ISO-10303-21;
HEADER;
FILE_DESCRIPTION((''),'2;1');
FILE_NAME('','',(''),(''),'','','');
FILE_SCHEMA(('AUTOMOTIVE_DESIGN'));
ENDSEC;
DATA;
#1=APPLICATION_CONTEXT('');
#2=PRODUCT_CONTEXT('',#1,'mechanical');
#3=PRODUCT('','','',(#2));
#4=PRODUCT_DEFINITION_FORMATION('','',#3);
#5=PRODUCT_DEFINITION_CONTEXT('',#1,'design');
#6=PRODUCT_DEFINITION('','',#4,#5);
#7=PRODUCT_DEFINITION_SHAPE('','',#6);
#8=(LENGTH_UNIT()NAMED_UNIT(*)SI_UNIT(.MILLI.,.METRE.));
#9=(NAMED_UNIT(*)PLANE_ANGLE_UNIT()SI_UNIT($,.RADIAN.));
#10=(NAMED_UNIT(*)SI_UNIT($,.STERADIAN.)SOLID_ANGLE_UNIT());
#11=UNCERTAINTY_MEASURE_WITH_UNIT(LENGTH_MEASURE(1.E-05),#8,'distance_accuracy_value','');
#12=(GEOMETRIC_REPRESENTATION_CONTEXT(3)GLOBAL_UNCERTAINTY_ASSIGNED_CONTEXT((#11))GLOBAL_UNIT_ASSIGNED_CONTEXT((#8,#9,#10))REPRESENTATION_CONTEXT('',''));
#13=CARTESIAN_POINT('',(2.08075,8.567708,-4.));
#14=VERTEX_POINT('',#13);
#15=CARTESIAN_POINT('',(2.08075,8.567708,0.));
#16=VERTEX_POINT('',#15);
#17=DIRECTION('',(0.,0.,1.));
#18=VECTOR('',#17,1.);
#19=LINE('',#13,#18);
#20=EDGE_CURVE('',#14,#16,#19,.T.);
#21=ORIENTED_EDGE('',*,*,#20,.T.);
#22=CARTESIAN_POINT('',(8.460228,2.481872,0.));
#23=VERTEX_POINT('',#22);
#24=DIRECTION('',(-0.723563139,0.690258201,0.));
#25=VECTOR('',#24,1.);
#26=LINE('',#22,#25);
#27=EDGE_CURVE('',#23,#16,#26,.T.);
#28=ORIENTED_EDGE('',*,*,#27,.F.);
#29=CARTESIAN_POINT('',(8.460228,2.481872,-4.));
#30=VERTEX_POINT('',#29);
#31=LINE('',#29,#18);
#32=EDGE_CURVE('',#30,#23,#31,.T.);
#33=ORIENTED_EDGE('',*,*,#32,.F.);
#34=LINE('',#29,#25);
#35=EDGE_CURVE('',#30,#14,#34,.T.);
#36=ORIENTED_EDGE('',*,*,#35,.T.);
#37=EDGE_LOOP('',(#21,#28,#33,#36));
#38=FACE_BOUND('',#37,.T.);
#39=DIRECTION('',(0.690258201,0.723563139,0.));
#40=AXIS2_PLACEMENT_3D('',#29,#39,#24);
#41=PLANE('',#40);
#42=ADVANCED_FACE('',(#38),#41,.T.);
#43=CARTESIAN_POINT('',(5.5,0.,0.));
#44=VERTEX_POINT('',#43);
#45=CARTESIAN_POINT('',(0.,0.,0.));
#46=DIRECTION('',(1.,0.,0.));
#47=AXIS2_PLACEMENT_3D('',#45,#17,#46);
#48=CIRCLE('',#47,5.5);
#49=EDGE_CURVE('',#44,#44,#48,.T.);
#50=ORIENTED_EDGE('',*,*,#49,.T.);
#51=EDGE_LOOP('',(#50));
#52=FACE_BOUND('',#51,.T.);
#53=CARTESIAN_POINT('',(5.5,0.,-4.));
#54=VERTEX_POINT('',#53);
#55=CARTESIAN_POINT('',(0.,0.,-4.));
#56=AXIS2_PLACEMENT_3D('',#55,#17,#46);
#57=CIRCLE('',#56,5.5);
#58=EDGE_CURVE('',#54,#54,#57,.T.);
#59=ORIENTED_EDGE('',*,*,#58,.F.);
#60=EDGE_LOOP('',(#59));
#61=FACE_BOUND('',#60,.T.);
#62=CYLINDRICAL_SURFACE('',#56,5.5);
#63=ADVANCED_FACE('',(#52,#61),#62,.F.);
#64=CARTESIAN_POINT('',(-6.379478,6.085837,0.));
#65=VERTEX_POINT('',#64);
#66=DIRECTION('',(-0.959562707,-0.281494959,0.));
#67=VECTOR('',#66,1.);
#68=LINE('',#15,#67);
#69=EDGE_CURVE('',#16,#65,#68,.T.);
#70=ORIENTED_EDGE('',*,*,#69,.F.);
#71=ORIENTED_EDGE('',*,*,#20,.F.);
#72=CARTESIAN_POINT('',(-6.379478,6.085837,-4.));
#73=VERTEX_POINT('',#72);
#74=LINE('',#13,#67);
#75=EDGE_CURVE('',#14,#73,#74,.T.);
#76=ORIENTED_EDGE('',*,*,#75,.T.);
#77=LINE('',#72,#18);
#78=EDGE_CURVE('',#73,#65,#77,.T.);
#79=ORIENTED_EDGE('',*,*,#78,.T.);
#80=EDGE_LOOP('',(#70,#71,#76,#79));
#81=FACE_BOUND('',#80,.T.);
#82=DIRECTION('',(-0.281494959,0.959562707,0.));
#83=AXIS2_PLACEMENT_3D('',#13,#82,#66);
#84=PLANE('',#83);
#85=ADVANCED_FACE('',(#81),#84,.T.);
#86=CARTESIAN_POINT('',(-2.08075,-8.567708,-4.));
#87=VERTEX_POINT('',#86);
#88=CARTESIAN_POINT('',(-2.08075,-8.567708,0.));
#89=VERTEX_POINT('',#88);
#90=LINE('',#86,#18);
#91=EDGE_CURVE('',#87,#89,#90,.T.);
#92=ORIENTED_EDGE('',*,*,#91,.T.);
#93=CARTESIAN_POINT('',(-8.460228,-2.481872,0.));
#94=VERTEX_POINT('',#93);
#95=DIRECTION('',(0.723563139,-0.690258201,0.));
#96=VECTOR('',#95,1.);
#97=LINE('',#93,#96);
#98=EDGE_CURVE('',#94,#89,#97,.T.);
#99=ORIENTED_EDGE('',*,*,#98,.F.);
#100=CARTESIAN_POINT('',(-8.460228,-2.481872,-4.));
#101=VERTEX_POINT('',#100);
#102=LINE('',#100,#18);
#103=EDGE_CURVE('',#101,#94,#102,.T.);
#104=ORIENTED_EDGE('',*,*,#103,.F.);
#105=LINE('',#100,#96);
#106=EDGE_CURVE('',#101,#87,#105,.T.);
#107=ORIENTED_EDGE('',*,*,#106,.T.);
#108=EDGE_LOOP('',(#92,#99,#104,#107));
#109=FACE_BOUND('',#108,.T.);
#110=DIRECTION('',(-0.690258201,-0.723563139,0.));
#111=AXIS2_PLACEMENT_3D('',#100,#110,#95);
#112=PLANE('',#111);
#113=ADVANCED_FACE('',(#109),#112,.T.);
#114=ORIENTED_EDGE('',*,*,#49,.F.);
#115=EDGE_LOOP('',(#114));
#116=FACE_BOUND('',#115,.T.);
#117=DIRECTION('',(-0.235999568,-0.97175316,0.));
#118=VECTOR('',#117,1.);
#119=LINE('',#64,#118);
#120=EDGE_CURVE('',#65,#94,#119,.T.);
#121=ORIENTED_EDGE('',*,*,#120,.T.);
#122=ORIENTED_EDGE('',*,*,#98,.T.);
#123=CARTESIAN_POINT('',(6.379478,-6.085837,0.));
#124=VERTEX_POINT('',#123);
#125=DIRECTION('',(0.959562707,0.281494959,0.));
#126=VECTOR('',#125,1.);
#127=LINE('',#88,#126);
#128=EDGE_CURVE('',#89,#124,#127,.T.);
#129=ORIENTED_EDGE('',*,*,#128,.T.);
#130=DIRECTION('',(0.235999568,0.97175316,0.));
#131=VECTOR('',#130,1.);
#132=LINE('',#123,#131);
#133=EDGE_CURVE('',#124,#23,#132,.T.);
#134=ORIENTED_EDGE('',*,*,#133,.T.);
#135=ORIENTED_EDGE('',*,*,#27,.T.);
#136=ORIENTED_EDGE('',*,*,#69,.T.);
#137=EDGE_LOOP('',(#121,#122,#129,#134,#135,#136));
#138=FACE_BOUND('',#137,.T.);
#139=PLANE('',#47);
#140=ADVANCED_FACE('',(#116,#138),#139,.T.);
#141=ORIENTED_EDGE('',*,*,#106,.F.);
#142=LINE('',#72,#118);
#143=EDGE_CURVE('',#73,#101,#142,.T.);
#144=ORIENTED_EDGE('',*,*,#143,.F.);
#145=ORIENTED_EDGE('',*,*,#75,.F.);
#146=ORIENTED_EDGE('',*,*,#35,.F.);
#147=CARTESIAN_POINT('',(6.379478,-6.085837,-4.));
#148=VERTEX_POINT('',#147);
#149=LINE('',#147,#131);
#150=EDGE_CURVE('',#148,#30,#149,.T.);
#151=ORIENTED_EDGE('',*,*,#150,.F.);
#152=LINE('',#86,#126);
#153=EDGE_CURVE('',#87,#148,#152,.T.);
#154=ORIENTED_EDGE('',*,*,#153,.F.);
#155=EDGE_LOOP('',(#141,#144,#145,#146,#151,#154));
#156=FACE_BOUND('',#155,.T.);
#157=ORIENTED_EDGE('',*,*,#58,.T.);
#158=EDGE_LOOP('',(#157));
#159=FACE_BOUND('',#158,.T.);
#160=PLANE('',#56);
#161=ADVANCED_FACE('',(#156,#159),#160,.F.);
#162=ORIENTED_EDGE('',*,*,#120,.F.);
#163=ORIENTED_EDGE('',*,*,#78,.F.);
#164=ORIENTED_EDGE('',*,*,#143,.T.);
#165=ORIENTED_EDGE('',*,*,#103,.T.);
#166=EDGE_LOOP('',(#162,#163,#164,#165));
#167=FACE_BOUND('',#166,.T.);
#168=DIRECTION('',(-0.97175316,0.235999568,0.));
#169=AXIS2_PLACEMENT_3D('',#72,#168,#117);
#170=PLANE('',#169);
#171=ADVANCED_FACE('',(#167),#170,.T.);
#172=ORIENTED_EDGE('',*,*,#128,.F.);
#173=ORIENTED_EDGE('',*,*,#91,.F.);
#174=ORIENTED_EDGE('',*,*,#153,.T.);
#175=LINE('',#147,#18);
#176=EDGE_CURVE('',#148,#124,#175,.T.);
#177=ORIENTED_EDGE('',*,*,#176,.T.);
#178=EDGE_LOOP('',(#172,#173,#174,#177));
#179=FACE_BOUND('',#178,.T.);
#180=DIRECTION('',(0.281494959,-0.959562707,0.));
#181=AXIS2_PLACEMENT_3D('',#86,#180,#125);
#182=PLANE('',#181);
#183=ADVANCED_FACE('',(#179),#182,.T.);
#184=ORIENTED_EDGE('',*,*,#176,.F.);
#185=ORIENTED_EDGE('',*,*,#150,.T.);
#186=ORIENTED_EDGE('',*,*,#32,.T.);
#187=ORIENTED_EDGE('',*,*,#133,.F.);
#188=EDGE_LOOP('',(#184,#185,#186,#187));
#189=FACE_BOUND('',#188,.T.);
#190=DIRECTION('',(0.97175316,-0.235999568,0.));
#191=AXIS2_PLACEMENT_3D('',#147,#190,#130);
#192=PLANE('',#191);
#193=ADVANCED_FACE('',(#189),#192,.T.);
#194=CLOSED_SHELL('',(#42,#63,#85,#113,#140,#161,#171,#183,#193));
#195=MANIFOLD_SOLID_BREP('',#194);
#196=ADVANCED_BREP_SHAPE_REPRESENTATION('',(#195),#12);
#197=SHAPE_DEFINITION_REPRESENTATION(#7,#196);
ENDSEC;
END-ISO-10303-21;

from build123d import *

# Parameters (mm, degrees)
CROQUIS1_R              = 5.5
SALIENTE_EXTRUIR1_DEPTH = 4


with BuildPart() as part:
    # Croquis1 → Saliente-Extruir1 (new body)
    with BuildSketch(Plane.XY):
        Polygon((2.080750103, 8.567708442), (-6.379478111, 6.085836669), (-8.460228214, -2.481871773), (-2.080750103, -8.567708442), (6.379478111, -6.085836669), (8.460228214, 2.481871773), align=None)
        Circle(CROQUIS1_R, mode=Mode.SUBTRACT)
    extrude(amount=-SALIENTE_EXTRUIR1_DEPTH)


solid = part.part
